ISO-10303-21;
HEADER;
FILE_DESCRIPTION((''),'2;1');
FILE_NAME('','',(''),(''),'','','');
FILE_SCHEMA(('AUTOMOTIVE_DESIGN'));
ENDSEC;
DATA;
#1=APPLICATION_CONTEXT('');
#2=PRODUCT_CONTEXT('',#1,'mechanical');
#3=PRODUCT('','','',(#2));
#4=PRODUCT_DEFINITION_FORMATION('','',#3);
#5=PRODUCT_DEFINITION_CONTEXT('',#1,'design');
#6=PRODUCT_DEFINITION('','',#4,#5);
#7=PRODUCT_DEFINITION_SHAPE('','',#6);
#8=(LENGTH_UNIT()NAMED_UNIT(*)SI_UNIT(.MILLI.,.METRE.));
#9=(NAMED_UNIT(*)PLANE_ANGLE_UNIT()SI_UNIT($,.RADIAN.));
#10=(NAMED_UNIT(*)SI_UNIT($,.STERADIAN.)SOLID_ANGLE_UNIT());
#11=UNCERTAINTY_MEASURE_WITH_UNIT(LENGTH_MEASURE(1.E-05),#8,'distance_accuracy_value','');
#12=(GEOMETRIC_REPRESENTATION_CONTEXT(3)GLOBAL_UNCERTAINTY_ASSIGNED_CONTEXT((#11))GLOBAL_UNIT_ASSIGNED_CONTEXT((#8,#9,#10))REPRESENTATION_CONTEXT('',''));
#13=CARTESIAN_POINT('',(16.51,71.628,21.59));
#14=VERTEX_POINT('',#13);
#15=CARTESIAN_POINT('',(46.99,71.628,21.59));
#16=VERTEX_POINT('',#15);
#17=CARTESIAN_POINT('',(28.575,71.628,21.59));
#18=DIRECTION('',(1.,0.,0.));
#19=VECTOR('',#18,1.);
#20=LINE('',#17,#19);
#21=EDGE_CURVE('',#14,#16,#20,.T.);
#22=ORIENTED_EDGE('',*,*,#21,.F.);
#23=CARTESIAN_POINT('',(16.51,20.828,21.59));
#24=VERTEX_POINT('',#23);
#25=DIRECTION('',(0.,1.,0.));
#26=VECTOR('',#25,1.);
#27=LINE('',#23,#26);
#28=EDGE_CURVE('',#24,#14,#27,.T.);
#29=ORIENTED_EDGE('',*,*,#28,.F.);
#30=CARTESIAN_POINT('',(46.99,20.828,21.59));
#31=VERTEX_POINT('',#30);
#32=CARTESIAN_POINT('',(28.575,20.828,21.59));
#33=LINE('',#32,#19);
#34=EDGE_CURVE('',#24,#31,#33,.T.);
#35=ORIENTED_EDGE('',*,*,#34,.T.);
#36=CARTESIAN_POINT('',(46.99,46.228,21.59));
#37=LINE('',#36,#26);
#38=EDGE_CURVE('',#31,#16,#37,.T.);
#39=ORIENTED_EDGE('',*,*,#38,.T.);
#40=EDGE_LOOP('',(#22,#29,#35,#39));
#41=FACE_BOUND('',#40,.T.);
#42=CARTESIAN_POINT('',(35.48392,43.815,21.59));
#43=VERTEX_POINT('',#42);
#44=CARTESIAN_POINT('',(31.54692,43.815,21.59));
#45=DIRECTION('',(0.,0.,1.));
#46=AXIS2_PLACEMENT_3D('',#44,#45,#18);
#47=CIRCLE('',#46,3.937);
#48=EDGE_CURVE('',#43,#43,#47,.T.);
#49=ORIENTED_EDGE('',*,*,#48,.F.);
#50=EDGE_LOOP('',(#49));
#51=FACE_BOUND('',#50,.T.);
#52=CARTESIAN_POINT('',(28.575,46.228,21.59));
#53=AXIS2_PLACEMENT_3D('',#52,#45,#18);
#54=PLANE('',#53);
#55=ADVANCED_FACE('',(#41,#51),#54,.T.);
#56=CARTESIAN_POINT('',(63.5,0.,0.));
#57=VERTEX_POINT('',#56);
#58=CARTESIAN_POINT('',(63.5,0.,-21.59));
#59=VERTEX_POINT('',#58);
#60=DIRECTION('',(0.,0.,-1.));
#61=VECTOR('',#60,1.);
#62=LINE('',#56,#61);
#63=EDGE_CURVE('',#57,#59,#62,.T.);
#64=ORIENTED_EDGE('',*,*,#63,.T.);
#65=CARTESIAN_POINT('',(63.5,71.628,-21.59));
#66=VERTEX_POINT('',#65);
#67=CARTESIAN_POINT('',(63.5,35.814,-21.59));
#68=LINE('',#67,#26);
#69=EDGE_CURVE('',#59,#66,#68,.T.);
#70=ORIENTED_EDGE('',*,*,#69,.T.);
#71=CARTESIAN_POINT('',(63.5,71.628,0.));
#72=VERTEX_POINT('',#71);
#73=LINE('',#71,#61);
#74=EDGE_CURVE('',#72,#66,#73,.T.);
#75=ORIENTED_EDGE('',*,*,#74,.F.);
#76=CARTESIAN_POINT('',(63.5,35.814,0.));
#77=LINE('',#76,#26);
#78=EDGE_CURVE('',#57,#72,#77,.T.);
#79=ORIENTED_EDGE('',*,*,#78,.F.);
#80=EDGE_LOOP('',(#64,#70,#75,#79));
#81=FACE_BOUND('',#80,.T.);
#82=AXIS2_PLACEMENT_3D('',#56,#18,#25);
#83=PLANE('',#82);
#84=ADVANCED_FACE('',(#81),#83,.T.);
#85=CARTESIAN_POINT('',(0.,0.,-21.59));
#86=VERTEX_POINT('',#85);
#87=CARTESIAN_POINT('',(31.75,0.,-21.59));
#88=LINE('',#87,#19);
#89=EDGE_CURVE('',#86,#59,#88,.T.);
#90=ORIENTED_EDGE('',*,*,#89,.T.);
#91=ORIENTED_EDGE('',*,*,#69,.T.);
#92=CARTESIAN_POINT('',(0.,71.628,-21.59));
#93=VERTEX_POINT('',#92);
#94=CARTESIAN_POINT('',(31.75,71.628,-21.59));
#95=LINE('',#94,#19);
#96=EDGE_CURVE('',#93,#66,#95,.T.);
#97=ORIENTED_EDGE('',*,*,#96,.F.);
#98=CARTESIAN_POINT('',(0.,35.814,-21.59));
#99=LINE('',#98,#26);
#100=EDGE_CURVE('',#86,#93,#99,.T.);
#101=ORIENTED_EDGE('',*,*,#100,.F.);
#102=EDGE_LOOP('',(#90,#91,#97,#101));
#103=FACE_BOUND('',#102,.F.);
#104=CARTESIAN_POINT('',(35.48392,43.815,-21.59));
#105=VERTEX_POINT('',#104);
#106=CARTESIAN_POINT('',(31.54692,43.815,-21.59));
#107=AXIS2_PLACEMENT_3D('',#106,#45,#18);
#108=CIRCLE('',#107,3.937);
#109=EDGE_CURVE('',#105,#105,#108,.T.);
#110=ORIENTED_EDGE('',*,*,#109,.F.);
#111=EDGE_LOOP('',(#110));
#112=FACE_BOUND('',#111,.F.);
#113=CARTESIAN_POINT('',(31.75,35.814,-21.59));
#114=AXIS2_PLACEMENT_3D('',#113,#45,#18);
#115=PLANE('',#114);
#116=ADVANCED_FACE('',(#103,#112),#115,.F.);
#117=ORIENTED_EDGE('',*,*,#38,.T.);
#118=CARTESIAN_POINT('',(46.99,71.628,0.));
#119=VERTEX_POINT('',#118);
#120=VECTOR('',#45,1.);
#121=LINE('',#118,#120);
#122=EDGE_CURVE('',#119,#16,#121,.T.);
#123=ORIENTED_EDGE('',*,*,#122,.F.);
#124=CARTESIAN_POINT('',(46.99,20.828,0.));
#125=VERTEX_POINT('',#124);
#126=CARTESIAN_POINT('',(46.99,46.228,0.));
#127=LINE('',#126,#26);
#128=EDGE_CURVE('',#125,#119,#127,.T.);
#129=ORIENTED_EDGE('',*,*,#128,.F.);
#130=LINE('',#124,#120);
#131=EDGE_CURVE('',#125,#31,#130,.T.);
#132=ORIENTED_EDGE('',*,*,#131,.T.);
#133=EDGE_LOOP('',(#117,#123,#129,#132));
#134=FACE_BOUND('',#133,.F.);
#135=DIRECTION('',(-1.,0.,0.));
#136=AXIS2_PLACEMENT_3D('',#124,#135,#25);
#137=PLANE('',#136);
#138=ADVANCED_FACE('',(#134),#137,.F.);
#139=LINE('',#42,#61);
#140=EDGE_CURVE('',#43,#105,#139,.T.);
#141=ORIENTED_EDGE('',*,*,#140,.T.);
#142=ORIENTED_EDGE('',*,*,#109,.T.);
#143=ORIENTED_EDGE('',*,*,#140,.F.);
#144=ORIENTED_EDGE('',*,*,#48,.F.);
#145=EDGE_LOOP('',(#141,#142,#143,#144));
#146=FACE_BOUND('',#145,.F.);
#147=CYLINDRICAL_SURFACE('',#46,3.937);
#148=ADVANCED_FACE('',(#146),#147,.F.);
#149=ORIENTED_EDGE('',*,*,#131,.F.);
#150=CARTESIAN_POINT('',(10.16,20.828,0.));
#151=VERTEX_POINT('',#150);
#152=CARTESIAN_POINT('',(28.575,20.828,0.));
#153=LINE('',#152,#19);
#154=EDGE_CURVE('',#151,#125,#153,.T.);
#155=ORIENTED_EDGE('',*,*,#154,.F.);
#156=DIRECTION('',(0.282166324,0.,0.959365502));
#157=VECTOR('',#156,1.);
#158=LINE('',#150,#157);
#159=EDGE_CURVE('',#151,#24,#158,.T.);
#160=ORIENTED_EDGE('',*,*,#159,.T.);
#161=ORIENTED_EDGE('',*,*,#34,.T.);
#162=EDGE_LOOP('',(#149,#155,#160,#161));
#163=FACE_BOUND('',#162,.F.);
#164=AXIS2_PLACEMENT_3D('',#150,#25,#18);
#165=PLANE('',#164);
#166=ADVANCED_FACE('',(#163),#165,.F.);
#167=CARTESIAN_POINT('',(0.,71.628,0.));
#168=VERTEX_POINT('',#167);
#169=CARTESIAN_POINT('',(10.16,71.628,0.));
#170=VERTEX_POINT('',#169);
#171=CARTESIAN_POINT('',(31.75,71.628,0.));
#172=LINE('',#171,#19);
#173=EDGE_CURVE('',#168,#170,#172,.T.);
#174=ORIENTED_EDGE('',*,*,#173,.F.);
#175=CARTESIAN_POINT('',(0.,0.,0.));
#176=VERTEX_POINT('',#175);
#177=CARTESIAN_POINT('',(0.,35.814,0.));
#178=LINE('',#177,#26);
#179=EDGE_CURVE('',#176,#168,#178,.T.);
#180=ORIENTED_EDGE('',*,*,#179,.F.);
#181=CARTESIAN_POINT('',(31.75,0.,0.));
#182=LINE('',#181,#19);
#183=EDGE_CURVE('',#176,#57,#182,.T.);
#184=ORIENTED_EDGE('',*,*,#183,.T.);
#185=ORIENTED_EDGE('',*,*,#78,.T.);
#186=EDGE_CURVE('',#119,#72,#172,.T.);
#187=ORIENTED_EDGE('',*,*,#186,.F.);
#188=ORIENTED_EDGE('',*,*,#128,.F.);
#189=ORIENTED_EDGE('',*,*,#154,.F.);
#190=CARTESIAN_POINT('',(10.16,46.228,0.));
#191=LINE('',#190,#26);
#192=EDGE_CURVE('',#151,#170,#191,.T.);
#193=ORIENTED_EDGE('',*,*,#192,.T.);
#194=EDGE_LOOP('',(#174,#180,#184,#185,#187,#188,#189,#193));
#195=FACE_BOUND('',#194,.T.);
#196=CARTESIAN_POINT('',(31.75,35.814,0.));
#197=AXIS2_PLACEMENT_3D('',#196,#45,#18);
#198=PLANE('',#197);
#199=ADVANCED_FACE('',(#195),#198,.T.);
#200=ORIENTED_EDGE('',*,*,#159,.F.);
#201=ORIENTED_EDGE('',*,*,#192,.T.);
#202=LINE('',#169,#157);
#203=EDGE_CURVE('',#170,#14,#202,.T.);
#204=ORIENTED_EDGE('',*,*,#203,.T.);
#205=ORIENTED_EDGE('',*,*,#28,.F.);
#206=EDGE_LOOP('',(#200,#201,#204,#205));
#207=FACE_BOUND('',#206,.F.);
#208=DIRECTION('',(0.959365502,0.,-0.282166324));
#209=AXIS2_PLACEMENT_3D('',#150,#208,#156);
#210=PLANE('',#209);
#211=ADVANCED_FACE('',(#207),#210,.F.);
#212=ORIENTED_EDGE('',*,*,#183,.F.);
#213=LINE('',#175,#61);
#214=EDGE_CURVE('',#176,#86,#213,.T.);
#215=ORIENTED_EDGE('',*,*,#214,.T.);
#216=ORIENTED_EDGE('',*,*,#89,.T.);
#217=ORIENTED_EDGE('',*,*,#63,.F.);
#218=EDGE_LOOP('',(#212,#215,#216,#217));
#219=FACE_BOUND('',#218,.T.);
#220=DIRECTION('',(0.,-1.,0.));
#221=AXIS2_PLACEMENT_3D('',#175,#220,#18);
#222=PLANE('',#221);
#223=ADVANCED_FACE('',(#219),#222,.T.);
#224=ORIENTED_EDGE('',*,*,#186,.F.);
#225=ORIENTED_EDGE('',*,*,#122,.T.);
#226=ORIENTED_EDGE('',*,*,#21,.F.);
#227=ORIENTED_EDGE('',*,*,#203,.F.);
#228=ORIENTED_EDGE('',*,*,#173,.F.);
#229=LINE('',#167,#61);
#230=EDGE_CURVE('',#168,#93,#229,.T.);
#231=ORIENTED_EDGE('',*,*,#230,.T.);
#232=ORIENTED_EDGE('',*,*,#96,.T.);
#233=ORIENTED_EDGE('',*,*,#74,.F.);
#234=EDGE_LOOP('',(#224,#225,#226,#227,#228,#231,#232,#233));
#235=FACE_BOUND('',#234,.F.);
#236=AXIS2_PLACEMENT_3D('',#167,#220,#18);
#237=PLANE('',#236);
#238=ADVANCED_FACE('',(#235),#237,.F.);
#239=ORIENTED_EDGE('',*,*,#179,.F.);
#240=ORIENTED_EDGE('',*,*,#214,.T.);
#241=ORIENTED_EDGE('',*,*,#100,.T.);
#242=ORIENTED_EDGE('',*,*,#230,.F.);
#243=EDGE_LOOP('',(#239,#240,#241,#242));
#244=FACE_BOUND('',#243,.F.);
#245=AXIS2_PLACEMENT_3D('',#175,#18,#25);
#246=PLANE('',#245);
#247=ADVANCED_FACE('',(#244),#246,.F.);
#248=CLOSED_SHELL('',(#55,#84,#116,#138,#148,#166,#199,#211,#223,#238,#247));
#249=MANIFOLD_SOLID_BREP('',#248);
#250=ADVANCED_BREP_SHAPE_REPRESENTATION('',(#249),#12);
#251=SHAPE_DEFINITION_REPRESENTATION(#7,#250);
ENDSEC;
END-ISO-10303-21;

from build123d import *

# Parameters (mm, degrees)
F0_W     = 63.5
F0_H     = 71.628
F1_DEPTH = 21.59
F2_W     = 36.83
F2_H     = 50.8
F3_DEPTH = 21.59
F5_DEPTH = 50.8
F6_R     = 3.937
F7_DEPTH = 43.181


with BuildPart() as f1:
    # F0 (on Top) → F1 (new body)
    with BuildSketch(Plane.XY):
        with Locations((31.75, 35.814)):
            Rectangle(F0_W, F0_H)
    extrude(amount=-F1_DEPTH)

    # F2 (on face) → F3 (join)
    with BuildSketch(Plane.XY):
        with Locations((28.575, 46.228)):
            Rectangle(F2_W, F2_H)
    extrude(amount=F3_DEPTH)

    # F4 (on face) → F5 (cut)
    with BuildSketch(Plane.XZ.offset(-20.828)):
        Polygon((10.16, 0), (16.51, 21.59), (10.16, 21.59), align=None)
    extrude(amount=-F5_DEPTH, mode=Mode.SUBTRACT)

    # F6 (on face) → F7 (cut, through all)
    with BuildSketch(Plane.XY.offset(21.59)):
        with Locations((31.54692, 43.815)):
            Circle(F6_R)
    extrude(amount=-F7_DEPTH, mode=Mode.SUBTRACT)


solid = f1.part
